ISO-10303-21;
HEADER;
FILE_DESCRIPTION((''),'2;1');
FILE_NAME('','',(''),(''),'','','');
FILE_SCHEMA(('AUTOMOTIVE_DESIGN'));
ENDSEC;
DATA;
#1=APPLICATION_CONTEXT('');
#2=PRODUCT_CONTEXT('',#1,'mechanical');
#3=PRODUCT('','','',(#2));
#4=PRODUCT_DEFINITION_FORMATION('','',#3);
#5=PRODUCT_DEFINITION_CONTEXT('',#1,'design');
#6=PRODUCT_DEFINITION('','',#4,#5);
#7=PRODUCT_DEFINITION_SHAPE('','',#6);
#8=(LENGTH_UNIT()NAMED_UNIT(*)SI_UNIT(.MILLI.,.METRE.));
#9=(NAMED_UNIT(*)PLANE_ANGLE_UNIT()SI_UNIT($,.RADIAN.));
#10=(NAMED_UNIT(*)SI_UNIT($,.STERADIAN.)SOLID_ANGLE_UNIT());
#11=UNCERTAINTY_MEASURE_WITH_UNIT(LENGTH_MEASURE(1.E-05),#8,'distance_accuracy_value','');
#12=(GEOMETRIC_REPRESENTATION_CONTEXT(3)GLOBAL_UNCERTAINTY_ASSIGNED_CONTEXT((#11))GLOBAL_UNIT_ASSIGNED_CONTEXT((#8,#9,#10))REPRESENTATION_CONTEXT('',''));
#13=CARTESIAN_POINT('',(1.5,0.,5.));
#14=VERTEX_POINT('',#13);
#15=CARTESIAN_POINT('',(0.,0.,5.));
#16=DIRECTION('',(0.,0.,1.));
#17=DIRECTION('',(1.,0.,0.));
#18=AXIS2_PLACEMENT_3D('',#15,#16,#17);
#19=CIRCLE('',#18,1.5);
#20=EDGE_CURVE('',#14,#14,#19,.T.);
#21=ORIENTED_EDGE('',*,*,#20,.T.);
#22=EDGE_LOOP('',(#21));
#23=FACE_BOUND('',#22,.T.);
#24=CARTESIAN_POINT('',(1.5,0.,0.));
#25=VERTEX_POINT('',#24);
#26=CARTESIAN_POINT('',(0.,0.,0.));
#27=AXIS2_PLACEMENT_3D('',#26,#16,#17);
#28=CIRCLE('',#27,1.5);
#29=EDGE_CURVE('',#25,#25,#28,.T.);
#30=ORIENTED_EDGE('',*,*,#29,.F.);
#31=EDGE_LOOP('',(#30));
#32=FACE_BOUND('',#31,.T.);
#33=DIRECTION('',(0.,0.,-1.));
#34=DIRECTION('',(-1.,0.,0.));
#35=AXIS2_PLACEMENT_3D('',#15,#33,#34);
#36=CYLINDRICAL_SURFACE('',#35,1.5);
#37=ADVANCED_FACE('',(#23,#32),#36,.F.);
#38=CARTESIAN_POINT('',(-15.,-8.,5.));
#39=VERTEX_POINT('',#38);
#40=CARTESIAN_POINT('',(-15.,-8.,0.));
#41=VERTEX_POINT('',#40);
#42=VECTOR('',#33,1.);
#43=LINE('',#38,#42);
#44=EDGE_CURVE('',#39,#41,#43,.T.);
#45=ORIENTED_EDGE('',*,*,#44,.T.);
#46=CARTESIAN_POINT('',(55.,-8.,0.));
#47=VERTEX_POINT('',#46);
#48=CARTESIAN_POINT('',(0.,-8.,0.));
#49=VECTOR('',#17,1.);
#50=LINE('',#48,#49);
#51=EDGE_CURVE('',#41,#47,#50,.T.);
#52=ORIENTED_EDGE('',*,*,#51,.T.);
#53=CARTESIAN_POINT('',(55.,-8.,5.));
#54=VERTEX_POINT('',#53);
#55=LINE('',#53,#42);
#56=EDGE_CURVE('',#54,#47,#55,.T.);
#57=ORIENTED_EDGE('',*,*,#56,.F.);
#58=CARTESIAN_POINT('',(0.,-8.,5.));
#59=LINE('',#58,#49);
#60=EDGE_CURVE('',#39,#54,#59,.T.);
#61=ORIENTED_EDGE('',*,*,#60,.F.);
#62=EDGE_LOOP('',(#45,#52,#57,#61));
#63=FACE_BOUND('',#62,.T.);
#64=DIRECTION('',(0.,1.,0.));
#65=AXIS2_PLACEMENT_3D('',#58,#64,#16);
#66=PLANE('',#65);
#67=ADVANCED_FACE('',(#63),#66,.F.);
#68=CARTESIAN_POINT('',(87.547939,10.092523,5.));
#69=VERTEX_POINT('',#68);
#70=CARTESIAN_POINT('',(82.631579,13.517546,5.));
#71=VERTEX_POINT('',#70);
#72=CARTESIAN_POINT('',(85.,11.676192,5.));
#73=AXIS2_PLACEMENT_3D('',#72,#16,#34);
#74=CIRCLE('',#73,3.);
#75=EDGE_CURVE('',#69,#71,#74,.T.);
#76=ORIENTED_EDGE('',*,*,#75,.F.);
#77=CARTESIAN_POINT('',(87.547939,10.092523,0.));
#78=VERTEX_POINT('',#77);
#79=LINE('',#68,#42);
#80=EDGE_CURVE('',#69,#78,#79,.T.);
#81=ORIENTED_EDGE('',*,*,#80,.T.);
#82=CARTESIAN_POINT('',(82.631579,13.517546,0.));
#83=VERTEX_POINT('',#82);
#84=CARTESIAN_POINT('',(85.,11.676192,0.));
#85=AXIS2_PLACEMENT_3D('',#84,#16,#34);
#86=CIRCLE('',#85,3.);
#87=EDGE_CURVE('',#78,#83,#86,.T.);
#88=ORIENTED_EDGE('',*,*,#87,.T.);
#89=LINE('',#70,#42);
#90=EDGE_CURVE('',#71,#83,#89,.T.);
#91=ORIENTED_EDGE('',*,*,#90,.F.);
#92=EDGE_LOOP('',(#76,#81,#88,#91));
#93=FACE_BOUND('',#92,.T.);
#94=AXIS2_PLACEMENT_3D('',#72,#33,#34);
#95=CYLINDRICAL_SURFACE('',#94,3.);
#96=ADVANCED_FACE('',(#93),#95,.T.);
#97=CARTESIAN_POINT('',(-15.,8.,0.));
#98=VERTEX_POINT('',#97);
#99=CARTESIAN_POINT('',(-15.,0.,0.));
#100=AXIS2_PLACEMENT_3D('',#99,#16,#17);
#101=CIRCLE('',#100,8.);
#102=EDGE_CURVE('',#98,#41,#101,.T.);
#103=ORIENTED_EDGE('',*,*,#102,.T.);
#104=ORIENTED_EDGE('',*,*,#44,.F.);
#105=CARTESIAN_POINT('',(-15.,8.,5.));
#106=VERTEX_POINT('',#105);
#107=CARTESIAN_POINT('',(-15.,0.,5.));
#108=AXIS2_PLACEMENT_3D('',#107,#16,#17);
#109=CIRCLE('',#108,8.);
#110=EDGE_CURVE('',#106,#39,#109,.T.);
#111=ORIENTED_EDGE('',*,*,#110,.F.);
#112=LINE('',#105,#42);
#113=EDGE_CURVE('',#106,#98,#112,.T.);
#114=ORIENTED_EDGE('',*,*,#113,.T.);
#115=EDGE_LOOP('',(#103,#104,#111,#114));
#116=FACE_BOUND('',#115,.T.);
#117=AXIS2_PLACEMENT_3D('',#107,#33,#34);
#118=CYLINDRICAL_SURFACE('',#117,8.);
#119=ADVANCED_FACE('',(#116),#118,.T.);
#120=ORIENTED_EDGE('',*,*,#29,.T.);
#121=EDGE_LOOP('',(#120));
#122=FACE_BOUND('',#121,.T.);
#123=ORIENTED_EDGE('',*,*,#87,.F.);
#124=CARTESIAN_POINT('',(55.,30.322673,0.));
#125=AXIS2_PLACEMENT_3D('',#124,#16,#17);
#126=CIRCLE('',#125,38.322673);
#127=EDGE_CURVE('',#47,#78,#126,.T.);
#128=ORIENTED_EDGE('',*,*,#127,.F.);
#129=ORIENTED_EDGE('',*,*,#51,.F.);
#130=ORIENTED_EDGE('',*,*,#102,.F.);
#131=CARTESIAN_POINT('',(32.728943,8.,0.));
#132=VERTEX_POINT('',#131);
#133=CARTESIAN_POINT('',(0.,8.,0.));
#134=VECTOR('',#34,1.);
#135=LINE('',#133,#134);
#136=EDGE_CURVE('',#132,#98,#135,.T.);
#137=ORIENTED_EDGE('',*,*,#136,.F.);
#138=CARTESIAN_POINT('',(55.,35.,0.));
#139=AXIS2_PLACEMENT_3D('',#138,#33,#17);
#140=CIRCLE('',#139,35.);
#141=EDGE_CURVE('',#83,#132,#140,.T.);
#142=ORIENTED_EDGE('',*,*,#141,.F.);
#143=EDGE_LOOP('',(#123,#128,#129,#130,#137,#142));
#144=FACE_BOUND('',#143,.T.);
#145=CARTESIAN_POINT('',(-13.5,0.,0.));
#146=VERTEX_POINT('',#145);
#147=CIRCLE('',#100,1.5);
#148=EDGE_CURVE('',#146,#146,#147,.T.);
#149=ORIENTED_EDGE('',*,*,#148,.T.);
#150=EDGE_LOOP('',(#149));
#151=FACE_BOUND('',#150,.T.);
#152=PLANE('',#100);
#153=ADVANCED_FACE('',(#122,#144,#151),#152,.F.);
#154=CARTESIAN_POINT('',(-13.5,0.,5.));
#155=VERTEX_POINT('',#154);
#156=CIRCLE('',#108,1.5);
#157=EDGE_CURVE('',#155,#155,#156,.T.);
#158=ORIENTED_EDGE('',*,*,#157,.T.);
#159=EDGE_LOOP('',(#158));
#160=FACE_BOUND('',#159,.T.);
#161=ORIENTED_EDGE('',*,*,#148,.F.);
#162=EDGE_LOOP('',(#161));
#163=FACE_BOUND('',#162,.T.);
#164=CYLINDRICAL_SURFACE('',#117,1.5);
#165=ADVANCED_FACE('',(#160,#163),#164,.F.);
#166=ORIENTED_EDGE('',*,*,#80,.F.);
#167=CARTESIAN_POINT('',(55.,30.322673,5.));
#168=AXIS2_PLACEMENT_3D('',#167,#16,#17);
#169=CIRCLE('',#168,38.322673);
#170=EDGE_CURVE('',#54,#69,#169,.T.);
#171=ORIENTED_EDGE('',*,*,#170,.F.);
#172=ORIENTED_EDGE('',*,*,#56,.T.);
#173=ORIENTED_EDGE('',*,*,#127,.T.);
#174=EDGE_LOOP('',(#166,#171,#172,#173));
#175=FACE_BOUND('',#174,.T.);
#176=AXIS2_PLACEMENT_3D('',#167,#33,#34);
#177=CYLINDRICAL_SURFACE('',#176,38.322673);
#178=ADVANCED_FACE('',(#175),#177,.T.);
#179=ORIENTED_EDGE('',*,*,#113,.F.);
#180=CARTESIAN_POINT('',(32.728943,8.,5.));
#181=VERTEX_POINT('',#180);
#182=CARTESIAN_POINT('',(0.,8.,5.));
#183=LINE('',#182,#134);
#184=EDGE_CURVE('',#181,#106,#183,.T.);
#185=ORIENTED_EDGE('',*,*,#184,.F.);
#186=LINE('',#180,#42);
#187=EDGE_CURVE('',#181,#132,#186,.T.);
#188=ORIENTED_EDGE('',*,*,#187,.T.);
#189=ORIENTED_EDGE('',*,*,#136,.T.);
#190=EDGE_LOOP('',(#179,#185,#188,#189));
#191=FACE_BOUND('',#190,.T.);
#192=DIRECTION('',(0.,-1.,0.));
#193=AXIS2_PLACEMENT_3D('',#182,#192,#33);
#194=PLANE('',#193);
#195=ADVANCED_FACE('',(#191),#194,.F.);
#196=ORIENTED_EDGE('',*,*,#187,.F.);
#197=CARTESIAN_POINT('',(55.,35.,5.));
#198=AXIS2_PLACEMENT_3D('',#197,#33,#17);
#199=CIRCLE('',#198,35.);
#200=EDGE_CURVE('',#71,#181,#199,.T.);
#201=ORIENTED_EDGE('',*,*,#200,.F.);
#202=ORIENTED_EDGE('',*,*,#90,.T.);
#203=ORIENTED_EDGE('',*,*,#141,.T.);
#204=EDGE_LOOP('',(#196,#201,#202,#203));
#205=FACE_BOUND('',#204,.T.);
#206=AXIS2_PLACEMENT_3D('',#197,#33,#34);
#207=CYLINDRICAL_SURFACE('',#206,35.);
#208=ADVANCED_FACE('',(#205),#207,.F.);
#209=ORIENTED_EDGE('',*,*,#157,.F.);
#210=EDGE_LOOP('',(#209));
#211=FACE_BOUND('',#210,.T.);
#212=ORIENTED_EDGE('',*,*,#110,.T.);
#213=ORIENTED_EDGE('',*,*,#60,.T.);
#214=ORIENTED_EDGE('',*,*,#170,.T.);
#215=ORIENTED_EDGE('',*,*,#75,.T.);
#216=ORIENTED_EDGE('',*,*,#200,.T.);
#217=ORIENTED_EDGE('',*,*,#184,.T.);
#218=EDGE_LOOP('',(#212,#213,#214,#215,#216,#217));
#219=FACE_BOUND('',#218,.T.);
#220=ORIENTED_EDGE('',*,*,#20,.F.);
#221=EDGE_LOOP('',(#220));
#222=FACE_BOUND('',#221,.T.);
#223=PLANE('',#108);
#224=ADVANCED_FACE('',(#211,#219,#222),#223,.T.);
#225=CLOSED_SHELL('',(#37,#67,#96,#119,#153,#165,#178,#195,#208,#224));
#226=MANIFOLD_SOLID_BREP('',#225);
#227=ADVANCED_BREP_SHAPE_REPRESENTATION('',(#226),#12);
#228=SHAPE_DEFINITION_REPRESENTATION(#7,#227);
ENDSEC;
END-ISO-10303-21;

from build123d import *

# Parameters (mm, degrees)
ESQUISSE1_R        = 1.5
BOSS_EXTRU_1_DEPTH = 5


with BuildPart() as part:
    # Esquisse1 → Boss.-Extru.1 (new body)
    with BuildSketch(Plane.XY):
        with BuildLine():
            Line((0, 8), (20, 8))
            Line((20, 8), (32.728942549, 8))
            ThreePointArc((32.728942549, 8), (58.84637819, 0.211993808), (82.631578947, 13.517545651))
            ThreePointArc((82.631578947, 13.517545651), (86.714862069, 14.137746418), (87.547938522, 10.092522856))
            ThreePointArc((87.547938522, 10.092522856), (73.619262105, -3.172854276), (55, -8))
            Line((55, -8), (0, -8))
            Line((0, -8), (-15, -8))
            ThreePointArc((-15, -8), (-23, 0), (-15, 8))
            Line((-15, 8), (0, 8))
        make_face()
        Circle(ESQUISSE1_R, mode=Mode.SUBTRACT)
        with Locations((-15, 0)):
            Circle(ESQUISSE1_R, mode=Mode.SUBTRACT)
    extrude(amount=BOSS_EXTRU_1_DEPTH)


solid = part.part
